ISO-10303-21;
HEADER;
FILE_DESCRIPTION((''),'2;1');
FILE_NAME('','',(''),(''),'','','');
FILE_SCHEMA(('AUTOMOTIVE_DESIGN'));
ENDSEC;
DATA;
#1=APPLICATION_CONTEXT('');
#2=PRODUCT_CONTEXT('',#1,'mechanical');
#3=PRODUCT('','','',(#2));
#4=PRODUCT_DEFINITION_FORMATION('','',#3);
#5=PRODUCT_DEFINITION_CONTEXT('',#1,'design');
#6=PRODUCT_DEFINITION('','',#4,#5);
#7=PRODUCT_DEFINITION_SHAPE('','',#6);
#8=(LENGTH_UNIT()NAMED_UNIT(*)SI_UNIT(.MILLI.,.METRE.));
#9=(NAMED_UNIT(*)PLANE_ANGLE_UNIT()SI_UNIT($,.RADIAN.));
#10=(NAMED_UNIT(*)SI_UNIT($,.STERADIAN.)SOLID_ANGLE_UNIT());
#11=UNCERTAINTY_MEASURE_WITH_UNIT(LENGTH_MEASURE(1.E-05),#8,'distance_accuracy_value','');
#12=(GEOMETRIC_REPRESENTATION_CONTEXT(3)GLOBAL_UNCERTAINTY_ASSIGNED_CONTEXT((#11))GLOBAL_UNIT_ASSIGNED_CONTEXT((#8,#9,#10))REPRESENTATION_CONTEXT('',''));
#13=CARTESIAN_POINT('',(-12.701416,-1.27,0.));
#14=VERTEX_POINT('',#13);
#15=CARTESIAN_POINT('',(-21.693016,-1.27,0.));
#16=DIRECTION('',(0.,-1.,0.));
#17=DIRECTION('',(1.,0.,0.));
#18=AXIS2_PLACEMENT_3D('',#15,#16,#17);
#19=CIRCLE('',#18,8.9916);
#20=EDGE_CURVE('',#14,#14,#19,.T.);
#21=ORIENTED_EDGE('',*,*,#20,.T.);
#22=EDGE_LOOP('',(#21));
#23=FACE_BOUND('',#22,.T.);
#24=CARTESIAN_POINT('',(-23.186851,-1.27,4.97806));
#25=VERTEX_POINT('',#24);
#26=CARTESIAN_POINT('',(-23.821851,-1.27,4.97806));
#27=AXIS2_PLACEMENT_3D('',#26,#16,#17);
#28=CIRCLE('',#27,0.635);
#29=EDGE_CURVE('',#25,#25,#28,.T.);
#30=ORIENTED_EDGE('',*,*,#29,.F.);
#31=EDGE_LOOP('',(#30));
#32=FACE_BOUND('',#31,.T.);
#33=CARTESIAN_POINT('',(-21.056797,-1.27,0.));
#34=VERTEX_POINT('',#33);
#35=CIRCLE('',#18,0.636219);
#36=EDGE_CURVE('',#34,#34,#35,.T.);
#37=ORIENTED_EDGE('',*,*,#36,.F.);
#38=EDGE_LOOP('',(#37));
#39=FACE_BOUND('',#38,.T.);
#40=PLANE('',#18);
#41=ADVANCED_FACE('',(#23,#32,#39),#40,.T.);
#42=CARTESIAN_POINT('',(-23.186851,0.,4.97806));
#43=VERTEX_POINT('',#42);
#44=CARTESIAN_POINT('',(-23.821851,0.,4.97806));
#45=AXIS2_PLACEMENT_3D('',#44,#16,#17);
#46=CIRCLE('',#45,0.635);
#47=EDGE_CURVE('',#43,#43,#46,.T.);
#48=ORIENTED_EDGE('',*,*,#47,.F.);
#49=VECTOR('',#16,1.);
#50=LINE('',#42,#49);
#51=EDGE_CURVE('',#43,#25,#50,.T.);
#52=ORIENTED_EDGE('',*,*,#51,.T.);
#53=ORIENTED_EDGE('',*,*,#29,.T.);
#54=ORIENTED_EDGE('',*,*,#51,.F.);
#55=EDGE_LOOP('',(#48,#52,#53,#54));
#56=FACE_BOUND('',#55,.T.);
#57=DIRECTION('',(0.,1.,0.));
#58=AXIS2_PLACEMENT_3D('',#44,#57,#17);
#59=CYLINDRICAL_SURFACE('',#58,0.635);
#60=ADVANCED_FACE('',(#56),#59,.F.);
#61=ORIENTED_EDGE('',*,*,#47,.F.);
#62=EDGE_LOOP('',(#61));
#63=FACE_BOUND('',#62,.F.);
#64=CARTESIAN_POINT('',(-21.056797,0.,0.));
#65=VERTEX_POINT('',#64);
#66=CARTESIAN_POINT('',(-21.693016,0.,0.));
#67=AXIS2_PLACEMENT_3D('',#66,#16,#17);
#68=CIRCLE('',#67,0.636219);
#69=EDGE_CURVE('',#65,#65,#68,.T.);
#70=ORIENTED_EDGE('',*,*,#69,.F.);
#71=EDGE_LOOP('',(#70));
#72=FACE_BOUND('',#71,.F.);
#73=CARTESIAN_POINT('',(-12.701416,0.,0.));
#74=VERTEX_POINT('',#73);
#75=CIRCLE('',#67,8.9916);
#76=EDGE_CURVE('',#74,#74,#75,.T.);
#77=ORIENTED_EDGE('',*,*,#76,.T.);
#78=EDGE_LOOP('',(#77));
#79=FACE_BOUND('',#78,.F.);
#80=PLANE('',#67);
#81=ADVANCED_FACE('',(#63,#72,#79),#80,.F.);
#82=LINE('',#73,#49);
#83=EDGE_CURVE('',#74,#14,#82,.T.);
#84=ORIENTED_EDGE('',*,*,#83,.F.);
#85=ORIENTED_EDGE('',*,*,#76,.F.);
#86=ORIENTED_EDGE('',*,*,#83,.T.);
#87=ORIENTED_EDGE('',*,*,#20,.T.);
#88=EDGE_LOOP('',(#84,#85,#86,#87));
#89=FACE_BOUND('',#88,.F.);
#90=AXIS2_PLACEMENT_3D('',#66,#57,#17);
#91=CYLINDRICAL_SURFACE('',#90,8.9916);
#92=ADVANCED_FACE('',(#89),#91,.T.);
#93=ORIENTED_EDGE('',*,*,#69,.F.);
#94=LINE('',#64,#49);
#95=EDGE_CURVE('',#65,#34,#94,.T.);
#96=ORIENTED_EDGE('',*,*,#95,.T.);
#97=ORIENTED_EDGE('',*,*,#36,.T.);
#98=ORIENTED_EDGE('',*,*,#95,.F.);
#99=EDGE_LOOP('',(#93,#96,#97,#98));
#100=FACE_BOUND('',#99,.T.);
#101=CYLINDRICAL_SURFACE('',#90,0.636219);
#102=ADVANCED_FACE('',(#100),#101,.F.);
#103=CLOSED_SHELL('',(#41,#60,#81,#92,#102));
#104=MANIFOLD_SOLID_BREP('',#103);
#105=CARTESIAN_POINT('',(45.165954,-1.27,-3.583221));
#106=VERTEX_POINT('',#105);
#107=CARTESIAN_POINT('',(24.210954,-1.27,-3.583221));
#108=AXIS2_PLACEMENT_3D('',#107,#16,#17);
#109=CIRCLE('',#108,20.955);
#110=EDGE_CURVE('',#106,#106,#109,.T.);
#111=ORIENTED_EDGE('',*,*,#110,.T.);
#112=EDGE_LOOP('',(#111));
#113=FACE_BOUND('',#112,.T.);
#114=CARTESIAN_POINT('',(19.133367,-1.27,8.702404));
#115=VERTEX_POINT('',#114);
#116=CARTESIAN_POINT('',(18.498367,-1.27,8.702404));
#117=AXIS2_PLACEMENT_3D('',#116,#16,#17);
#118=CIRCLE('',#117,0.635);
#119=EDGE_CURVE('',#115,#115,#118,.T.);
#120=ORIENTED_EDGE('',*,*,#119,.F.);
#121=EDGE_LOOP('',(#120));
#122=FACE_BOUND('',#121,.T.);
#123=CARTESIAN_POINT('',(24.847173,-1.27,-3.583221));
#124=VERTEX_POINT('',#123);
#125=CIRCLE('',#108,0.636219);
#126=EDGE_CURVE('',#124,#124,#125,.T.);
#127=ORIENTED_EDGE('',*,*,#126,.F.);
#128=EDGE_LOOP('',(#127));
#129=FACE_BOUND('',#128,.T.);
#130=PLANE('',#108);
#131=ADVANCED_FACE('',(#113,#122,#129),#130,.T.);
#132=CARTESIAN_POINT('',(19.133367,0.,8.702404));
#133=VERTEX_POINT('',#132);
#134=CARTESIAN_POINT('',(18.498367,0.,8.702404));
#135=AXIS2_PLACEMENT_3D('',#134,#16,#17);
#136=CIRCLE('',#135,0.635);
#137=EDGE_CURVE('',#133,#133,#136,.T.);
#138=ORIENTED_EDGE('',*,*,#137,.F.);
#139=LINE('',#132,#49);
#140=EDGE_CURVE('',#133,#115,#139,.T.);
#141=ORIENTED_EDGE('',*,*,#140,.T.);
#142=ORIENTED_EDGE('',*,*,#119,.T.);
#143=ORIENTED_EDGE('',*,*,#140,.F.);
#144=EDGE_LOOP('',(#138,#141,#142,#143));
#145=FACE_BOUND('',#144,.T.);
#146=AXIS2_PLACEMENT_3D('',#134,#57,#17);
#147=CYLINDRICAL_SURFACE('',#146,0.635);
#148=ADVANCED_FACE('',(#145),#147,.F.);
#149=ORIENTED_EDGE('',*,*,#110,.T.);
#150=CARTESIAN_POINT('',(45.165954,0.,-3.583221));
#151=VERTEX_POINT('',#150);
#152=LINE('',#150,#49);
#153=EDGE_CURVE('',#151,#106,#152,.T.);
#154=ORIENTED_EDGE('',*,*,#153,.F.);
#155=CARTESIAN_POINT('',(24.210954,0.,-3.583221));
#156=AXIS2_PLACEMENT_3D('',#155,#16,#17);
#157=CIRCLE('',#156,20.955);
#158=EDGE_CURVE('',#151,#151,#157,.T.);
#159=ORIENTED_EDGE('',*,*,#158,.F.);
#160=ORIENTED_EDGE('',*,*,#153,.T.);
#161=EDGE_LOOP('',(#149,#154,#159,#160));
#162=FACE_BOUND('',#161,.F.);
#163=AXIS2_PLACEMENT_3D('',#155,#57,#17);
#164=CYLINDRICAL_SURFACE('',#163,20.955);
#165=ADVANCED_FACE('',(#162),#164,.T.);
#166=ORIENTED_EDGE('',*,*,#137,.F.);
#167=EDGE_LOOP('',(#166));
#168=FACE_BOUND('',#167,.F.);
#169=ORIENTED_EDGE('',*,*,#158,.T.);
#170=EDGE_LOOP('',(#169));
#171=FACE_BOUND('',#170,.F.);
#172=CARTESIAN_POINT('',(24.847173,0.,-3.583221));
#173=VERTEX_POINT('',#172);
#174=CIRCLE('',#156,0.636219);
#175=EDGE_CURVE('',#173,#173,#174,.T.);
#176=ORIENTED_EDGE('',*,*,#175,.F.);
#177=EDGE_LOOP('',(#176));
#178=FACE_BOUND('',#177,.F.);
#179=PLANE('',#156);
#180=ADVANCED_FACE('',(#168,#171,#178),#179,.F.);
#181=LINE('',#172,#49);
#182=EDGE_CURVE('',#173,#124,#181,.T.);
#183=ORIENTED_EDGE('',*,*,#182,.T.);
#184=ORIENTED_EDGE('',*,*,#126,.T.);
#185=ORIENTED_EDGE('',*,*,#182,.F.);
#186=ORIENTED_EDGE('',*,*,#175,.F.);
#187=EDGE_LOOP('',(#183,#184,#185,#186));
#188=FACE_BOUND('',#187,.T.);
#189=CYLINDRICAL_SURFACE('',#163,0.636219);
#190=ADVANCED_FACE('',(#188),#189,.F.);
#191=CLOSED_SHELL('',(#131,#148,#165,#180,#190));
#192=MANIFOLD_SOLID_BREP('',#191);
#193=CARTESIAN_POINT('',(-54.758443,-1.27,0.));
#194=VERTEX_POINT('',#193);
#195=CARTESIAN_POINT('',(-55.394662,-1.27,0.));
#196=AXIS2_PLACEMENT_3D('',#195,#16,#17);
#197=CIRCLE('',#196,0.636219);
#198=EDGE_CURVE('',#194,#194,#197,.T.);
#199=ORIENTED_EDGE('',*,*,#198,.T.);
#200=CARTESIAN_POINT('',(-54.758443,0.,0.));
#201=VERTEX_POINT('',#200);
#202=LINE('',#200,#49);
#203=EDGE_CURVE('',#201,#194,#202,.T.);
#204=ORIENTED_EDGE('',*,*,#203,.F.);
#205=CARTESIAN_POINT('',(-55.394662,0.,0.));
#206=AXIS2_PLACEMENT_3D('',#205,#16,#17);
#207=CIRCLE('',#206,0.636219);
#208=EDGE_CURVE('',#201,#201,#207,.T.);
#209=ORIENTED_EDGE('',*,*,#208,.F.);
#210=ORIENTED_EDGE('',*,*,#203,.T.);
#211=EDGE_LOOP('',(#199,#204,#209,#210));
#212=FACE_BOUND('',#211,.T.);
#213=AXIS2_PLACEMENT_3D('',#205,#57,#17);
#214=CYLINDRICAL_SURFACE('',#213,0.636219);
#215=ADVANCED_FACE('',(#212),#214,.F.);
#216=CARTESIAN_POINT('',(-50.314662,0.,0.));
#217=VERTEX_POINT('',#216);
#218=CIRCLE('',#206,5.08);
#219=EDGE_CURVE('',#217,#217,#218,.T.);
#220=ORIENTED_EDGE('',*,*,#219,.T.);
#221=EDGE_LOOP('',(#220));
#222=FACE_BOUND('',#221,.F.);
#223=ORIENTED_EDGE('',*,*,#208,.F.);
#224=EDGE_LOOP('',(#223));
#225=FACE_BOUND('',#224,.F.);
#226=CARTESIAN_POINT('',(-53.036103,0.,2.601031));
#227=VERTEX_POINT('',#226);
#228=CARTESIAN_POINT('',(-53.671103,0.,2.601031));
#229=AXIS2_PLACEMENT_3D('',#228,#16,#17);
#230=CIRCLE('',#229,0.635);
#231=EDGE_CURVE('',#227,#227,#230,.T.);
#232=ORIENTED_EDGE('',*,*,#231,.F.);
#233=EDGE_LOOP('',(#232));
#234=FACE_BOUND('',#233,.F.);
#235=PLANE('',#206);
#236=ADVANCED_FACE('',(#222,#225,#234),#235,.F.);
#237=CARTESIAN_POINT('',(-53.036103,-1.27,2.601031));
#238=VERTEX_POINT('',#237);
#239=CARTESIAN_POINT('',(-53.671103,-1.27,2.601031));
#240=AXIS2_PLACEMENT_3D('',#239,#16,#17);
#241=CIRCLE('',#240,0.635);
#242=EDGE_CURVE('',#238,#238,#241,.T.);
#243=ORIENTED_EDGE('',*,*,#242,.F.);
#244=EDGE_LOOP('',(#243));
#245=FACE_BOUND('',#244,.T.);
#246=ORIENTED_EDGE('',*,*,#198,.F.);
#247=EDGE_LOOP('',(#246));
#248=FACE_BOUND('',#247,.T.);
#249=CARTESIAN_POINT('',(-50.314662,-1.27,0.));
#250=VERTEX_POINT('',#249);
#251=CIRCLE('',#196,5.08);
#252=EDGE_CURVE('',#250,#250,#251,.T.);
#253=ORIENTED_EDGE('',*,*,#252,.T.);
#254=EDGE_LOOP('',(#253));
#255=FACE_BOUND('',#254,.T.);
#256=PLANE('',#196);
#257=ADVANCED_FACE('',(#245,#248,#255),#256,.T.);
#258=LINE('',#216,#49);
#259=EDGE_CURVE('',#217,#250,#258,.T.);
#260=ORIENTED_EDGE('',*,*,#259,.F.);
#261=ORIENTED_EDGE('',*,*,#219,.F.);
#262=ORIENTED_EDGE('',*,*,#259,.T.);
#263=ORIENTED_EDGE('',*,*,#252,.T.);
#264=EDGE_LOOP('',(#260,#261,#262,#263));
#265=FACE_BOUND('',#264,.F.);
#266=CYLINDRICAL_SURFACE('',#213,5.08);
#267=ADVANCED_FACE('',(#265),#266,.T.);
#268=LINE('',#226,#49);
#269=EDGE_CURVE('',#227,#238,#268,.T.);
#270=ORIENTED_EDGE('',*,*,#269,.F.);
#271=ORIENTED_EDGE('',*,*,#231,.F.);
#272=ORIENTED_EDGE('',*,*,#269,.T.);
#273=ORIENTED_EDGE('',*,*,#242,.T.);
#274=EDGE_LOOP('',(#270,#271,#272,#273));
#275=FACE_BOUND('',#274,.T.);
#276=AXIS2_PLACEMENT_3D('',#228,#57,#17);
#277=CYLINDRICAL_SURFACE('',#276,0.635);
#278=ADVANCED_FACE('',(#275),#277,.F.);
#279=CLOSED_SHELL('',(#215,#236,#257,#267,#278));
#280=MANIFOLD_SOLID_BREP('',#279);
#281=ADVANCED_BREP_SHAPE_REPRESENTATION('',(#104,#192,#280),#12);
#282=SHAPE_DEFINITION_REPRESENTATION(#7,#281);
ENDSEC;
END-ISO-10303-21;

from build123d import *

# Parameters (mm, degrees)
F0_R     = 5.08
F0_R_2   = 0.636219
F0_R_3   = 0.635
F1_DEPTH = 1.27
F0_R_4   = 8.9916
F0_R_5   = 20.955
F2_DEPTH = 1.27


with BuildPart() as f1:
    # F0 (on Front) → F1 (new body)
    with BuildSketch(Plane.XZ):
        with Locations((-55.394662, 0)):
            Circle(F0_R)
        with Locations((-55.394662, 0)):
            Circle(F0_R_2, mode=Mode.SUBTRACT)
        with Locations((-53.671103, 2.601031)):
            Circle(F0_R_3, mode=Mode.SUBTRACT)
    extrude(amount=F1_DEPTH)

    # F0 (on Front) → F2 (join)
    with BuildSketch(Plane.XZ):
        with Locations((-55.394662, 0)):
            Circle(F0_R)
        with Locations((-55.394662, 0)):
            Circle(F0_R_2, mode=Mode.SUBTRACT)
        with Locations((-53.671103, 2.601031)):
            Circle(F0_R_3, mode=Mode.SUBTRACT)
        with Locations((-21.693016, 0)):
            Circle(F0_R_4)
        with Locations((-21.693016, 0)):
            Circle(F0_R_2, mode=Mode.SUBTRACT)
        with Locations((-23.821851, 4.97806)):
            Circle(F0_R_3, mode=Mode.SUBTRACT)
        with Locations((24.210954, -3.583221)):
            Circle(F0_R_5)
        with Locations((24.210954, -3.583221)):
            Circle(F0_R_2, mode=Mode.SUBTRACT)
        with Locations((18.498367, 8.702404)):
            Circle(F0_R_3, mode=Mode.SUBTRACT)
    extrude(amount=F2_DEPTH)


solid = f1.part
